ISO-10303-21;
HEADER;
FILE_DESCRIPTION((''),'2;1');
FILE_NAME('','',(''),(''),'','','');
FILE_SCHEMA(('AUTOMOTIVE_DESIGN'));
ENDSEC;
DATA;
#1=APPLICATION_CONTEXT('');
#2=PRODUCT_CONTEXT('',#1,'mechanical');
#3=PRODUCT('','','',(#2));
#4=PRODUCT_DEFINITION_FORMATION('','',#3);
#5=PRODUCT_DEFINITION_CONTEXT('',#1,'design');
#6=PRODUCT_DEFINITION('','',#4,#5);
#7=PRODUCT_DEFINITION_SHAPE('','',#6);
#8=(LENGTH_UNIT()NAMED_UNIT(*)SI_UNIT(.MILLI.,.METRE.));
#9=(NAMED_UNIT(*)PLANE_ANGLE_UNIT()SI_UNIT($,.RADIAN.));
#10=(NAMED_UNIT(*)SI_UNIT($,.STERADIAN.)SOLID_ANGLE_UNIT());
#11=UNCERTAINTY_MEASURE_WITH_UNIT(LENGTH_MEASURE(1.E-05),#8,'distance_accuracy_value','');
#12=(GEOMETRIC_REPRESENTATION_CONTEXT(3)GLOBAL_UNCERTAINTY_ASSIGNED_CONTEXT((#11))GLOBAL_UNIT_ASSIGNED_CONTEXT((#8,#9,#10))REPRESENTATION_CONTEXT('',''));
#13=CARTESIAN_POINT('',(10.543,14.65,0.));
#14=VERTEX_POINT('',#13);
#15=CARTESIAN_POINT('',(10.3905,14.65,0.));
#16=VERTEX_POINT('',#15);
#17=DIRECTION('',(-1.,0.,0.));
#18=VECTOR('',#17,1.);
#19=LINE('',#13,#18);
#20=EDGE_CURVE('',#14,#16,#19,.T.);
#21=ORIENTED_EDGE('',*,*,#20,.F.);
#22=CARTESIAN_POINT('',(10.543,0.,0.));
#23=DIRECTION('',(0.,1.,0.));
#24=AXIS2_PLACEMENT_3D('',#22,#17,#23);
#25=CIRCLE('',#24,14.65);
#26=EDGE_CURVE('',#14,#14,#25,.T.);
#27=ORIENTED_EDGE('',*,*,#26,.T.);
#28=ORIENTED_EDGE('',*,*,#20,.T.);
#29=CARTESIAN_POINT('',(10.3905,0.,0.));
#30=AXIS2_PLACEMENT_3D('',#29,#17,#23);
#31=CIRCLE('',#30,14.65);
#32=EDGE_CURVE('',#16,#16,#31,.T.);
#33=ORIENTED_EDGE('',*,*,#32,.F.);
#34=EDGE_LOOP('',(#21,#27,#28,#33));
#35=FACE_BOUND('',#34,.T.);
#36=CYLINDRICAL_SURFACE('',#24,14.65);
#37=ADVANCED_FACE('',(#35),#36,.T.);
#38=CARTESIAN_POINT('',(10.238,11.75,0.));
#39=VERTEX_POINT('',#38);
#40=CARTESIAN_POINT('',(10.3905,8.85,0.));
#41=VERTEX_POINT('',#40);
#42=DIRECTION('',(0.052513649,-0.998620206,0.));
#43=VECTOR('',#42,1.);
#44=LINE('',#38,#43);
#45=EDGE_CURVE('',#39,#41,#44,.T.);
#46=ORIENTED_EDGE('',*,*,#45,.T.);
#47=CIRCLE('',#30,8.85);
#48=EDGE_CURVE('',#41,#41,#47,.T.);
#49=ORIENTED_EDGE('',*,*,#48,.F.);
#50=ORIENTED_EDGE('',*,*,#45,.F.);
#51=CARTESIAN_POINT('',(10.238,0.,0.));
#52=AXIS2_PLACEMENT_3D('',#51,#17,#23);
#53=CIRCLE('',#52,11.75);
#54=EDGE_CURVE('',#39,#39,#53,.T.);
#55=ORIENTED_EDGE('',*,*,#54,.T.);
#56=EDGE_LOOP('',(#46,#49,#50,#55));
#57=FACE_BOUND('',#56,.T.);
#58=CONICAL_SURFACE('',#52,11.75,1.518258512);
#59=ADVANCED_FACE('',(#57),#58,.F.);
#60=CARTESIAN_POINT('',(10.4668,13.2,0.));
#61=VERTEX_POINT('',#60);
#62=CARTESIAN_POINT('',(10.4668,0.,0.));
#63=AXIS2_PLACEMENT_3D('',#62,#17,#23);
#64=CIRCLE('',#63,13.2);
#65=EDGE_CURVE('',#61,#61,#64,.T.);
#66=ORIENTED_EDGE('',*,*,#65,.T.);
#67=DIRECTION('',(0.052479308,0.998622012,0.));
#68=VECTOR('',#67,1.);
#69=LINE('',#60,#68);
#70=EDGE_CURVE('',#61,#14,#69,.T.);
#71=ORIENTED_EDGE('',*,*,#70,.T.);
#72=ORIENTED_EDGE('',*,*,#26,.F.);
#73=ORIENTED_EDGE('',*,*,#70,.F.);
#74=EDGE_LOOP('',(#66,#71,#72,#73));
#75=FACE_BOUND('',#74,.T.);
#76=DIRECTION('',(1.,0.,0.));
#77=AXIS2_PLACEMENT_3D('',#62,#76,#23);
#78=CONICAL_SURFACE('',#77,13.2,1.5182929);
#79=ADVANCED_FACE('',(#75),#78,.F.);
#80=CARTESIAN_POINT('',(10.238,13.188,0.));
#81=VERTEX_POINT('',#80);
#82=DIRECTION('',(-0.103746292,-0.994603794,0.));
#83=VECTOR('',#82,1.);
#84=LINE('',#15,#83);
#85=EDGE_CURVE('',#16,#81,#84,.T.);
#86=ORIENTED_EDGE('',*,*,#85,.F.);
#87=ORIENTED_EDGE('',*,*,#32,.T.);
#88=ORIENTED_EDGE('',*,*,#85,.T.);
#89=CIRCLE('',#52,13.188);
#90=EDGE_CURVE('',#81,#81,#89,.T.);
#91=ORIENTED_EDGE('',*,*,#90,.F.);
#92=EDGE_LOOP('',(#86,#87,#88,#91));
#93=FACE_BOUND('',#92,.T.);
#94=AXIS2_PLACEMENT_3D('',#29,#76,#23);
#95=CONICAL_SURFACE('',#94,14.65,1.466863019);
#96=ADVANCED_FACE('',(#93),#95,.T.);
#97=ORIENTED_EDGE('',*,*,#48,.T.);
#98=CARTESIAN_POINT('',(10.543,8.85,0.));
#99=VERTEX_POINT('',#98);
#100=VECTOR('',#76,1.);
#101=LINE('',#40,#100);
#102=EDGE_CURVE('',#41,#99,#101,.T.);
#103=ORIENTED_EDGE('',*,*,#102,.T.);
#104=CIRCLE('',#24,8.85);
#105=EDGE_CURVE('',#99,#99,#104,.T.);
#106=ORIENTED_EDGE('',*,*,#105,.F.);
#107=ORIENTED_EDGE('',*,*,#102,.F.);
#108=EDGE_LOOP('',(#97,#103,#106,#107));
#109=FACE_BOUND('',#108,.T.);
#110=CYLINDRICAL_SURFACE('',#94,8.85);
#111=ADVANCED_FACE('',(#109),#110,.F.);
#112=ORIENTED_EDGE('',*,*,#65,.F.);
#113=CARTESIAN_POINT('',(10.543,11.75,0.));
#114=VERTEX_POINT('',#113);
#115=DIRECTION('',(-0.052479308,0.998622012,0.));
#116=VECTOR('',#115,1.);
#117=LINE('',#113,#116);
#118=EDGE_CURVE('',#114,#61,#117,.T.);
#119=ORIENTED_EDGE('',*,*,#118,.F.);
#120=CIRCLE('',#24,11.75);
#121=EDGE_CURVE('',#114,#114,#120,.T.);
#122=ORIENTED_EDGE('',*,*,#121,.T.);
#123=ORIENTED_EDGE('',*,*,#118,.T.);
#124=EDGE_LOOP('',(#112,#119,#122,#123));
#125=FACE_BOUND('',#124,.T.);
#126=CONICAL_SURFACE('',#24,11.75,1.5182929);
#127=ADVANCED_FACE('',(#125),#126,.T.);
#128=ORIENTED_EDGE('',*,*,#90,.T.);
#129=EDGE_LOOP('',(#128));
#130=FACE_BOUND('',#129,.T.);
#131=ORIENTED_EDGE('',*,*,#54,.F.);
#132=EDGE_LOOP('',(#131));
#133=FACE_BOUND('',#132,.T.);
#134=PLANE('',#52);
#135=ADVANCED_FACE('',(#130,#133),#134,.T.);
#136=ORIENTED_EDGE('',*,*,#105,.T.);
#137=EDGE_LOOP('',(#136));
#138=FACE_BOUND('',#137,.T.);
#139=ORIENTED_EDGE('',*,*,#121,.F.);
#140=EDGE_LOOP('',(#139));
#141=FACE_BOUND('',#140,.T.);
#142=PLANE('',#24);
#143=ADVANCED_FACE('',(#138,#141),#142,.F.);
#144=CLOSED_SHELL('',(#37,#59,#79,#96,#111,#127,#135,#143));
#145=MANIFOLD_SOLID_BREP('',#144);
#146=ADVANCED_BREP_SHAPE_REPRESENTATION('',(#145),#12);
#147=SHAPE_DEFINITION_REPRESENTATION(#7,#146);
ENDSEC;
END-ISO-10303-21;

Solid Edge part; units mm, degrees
sketch "Sketch1" plane through (0, 0, 0) normal (0, 0, 1) x (1, 0, 0)
  line L0 (10.238, 13.188) -> (10.238, 11.75)
  line L1 (10.238, 11.75) -> (10.3905, 8.85)
  line L2 (10.3905, 8.85) -> (10.543, 8.85)
  line L3 (10.543, 8.85) -> (10.543, 11.75)
  line L4 (10.543, 11.75) -> (10.4668, 13.2)
  line L5 (10.4668, 13.2) -> (10.543, 14.65)
  line L6 (10.543, 14.65) -> (10.3905, 14.65)
  line L7 (10.3905, 14.65) -> (10.238, 13.188)
revolve "RevolvedProtrusion1" add sketch "Sketch1" angle 360 about axis through (50, 0, 0) along (-1, 0, 0)
properties material "Steel"
